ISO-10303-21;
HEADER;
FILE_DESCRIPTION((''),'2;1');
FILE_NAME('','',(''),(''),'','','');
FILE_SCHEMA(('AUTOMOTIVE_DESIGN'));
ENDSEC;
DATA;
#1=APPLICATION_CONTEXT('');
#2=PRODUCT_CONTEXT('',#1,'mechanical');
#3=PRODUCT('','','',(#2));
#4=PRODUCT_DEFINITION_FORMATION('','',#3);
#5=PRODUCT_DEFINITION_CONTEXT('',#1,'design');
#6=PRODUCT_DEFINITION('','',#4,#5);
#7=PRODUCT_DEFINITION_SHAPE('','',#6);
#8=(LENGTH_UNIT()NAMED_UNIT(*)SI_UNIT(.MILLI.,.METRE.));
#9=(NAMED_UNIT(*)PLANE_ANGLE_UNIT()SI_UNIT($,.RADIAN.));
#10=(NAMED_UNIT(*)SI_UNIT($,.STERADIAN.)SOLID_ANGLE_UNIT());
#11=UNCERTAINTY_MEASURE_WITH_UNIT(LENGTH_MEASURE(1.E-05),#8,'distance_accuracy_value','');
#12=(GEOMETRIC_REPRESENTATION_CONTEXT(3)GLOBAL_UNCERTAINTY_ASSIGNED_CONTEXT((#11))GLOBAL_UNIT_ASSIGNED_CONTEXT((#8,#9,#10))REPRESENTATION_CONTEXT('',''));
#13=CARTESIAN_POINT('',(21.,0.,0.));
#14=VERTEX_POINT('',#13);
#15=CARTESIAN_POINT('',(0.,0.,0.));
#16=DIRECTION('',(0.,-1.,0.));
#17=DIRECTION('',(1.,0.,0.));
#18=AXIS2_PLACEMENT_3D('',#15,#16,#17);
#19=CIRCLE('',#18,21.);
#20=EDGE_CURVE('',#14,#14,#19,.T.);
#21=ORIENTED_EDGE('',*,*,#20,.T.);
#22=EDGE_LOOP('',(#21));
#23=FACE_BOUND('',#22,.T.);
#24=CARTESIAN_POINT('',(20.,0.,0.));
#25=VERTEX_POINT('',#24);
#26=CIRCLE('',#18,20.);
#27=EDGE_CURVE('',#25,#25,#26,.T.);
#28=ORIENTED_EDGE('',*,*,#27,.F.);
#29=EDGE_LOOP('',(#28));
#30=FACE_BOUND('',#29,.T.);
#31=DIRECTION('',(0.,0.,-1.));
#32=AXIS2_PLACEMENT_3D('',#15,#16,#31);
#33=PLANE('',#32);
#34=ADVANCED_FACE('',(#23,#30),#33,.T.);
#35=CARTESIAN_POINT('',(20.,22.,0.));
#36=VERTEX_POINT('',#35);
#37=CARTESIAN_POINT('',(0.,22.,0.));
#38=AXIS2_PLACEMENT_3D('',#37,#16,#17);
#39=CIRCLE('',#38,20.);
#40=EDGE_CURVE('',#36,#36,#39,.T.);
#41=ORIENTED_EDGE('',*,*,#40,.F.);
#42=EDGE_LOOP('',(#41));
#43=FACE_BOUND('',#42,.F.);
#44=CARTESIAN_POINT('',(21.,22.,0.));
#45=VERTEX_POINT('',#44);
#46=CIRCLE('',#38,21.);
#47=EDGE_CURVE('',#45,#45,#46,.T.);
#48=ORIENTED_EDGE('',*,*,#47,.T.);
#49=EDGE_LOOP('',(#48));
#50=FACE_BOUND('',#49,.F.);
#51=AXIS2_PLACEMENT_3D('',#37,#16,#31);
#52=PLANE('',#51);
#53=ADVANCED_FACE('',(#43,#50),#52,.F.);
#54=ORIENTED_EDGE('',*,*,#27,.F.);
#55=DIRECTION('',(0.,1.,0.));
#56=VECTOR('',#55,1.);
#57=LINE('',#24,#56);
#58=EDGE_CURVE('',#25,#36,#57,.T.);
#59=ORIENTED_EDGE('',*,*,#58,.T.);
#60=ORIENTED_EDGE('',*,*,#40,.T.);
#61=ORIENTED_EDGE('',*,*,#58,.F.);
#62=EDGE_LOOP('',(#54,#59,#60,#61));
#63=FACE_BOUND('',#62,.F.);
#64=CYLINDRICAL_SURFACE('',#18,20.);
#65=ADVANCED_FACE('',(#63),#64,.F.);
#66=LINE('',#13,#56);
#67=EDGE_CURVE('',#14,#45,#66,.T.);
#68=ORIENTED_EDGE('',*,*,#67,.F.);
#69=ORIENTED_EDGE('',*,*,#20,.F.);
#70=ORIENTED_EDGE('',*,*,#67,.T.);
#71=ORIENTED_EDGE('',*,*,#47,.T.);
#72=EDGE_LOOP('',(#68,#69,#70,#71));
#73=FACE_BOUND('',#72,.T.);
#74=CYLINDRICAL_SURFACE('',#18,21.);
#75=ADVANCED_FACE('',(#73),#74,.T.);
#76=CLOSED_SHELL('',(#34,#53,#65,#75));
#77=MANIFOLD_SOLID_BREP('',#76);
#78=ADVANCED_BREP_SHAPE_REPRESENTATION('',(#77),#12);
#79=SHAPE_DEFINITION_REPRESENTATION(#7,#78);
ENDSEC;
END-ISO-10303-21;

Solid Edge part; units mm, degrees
sketch "Sketch1" plane through (0, 0, 0) normal (0, -1, 0) x (1, 0, 0)
  circle A0 centre (0, 0) radius 20
  circle A1 centre (0, 0) radius 21
  dimension "D1" = 40
  dimension "D2" = 42
extrude "Protrusion1" add sketch "Sketch1" against normal blind 22
